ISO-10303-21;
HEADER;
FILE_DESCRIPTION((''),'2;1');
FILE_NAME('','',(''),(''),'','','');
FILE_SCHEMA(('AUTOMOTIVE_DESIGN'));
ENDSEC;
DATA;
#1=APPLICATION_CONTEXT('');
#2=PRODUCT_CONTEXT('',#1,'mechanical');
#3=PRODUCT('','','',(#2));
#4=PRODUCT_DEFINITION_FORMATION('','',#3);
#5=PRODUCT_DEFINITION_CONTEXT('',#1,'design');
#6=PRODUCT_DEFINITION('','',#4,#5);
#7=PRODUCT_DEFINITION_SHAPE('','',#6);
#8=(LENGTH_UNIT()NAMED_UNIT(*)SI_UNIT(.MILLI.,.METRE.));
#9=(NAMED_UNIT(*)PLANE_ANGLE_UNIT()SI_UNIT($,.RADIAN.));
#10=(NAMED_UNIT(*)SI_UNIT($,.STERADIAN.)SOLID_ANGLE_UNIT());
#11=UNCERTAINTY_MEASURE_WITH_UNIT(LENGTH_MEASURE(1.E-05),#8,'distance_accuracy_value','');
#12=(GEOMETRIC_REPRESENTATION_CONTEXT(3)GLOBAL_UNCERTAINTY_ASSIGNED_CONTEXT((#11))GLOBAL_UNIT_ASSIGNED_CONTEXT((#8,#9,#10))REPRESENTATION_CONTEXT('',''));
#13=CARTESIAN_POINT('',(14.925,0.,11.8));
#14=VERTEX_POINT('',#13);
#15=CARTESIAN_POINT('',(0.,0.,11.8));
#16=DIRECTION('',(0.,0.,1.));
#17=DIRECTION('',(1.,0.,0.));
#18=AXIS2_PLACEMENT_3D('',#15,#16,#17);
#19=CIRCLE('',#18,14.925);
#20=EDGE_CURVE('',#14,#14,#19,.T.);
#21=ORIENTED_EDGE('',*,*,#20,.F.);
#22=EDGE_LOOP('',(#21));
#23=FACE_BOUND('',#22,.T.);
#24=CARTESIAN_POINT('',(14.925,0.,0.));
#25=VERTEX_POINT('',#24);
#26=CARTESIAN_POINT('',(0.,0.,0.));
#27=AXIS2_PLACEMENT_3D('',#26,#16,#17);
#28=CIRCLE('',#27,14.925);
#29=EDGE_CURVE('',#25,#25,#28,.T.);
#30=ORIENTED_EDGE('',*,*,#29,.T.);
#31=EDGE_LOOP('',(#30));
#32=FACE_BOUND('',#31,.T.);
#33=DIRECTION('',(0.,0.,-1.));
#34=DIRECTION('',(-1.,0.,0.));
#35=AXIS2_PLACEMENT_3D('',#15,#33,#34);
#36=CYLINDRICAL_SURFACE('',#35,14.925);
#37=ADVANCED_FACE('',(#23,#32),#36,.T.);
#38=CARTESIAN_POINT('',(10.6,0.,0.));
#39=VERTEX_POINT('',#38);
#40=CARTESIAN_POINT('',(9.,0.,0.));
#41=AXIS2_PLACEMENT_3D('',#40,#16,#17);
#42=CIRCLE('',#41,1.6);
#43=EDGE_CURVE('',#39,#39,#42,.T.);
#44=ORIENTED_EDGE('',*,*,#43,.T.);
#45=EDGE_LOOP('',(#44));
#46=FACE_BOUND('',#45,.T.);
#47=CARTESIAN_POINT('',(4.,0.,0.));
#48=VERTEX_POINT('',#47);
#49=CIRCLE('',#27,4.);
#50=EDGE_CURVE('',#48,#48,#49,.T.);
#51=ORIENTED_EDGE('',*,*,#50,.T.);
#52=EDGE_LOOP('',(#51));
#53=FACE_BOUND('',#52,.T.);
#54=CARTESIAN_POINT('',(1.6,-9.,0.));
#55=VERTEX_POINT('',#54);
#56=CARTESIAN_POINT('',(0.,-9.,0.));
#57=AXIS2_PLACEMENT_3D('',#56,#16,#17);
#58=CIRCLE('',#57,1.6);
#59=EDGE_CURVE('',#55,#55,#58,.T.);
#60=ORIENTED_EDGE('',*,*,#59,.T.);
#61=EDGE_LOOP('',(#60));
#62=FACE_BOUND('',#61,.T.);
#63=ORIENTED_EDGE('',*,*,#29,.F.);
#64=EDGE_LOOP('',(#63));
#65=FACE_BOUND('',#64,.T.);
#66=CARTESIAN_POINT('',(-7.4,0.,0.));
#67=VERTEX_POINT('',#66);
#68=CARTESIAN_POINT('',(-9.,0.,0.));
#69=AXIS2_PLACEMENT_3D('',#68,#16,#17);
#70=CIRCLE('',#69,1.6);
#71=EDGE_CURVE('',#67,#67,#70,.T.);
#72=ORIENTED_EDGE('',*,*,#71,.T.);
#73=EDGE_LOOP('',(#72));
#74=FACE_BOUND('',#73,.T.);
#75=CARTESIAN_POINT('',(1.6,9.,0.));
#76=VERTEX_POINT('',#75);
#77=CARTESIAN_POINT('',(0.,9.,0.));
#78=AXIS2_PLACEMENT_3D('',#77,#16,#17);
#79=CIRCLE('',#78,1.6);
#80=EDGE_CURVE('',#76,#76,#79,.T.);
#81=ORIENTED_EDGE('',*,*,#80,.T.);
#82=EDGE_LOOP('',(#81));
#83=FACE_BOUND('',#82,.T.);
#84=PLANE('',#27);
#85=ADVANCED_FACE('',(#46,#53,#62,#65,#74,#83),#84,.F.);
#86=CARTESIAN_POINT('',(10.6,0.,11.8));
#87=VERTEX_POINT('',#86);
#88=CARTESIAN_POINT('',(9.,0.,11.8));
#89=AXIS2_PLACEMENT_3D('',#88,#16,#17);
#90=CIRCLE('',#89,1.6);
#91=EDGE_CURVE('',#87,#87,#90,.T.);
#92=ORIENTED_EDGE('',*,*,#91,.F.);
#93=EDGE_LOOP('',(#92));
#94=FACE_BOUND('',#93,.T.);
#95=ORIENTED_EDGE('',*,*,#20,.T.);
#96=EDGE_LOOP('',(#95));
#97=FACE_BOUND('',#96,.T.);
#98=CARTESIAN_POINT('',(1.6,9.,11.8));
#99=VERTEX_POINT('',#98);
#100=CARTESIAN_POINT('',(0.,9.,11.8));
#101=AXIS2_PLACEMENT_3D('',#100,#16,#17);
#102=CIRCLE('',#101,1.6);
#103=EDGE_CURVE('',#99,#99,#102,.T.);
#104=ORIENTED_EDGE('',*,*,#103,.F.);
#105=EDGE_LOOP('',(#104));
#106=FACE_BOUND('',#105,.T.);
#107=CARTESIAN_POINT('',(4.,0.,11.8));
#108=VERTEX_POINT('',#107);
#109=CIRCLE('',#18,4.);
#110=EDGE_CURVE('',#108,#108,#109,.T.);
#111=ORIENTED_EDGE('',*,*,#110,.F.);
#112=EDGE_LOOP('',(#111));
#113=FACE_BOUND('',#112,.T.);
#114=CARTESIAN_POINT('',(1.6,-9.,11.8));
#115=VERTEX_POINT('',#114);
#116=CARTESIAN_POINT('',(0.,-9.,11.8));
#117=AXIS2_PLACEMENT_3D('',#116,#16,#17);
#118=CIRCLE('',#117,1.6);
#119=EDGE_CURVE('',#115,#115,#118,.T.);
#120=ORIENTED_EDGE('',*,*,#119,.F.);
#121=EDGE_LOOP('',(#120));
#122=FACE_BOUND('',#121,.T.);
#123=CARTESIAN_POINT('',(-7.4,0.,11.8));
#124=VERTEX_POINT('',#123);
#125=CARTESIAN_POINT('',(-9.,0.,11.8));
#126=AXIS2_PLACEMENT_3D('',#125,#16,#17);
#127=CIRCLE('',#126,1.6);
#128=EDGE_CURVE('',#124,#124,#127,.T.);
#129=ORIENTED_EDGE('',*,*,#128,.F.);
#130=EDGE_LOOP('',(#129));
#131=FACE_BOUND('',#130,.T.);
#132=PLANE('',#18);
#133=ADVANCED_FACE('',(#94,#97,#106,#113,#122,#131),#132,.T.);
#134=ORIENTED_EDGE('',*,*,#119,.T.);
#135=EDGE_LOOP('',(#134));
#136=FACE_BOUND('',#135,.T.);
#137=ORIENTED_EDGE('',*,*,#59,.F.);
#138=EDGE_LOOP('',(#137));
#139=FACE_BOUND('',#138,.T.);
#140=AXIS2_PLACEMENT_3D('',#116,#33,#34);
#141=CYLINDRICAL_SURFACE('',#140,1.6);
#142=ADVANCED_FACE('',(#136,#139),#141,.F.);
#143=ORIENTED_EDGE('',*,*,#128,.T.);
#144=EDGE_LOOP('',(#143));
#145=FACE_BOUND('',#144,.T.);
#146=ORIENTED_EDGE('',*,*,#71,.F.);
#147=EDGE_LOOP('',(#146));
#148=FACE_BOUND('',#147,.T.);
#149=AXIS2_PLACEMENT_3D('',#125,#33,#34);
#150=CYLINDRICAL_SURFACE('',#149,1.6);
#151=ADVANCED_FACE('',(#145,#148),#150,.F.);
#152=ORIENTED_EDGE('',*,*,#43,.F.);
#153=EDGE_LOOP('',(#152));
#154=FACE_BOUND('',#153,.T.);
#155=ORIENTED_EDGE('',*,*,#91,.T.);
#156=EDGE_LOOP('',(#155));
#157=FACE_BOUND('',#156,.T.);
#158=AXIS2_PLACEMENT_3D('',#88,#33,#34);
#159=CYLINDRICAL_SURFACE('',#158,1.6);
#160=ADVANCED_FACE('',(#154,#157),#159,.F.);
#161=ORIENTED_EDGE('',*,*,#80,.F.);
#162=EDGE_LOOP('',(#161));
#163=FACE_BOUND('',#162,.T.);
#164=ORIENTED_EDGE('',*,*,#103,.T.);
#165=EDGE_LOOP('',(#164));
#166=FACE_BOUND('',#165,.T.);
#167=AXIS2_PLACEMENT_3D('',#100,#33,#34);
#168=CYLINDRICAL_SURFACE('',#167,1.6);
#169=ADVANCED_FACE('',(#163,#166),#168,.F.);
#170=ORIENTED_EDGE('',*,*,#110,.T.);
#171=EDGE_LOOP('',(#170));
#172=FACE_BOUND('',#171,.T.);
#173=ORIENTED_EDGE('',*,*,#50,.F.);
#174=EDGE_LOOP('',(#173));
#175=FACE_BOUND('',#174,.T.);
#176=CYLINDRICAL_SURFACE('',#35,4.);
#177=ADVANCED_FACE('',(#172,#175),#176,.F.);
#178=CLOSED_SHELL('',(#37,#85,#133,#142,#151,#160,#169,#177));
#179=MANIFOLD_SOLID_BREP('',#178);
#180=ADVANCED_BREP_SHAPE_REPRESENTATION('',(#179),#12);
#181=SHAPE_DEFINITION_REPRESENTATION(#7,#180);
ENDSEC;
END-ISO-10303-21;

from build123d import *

# Parameters (mm, degrees)
SKETCH_1_R                  = 14.925
SKETCH_1_R_2                = 4
SKETCH_1_R_3                = 1.6
F_05_PAN_HORN_JOURNAL_DEPTH = 11.8


with BuildPart() as part:
    # Эскиз1 → 05_Pan_horn_journal (new body)
    with BuildSketch(Plane.XY):
        Circle(SKETCH_1_R)
        Circle(SKETCH_1_R_2, mode=Mode.SUBTRACT)
        with Locations((-9, 0)):
            Circle(SKETCH_1_R_3, mode=Mode.SUBTRACT)
        with Locations((9, 0)):
            Circle(SKETCH_1_R_3, mode=Mode.SUBTRACT)
        with Locations((0, 9)):
            Circle(SKETCH_1_R_3, mode=Mode.SUBTRACT)
        with Locations((0, -9)):
            Circle(SKETCH_1_R_3, mode=Mode.SUBTRACT)
    extrude(amount=F_05_PAN_HORN_JOURNAL_DEPTH)


solid = part.part
